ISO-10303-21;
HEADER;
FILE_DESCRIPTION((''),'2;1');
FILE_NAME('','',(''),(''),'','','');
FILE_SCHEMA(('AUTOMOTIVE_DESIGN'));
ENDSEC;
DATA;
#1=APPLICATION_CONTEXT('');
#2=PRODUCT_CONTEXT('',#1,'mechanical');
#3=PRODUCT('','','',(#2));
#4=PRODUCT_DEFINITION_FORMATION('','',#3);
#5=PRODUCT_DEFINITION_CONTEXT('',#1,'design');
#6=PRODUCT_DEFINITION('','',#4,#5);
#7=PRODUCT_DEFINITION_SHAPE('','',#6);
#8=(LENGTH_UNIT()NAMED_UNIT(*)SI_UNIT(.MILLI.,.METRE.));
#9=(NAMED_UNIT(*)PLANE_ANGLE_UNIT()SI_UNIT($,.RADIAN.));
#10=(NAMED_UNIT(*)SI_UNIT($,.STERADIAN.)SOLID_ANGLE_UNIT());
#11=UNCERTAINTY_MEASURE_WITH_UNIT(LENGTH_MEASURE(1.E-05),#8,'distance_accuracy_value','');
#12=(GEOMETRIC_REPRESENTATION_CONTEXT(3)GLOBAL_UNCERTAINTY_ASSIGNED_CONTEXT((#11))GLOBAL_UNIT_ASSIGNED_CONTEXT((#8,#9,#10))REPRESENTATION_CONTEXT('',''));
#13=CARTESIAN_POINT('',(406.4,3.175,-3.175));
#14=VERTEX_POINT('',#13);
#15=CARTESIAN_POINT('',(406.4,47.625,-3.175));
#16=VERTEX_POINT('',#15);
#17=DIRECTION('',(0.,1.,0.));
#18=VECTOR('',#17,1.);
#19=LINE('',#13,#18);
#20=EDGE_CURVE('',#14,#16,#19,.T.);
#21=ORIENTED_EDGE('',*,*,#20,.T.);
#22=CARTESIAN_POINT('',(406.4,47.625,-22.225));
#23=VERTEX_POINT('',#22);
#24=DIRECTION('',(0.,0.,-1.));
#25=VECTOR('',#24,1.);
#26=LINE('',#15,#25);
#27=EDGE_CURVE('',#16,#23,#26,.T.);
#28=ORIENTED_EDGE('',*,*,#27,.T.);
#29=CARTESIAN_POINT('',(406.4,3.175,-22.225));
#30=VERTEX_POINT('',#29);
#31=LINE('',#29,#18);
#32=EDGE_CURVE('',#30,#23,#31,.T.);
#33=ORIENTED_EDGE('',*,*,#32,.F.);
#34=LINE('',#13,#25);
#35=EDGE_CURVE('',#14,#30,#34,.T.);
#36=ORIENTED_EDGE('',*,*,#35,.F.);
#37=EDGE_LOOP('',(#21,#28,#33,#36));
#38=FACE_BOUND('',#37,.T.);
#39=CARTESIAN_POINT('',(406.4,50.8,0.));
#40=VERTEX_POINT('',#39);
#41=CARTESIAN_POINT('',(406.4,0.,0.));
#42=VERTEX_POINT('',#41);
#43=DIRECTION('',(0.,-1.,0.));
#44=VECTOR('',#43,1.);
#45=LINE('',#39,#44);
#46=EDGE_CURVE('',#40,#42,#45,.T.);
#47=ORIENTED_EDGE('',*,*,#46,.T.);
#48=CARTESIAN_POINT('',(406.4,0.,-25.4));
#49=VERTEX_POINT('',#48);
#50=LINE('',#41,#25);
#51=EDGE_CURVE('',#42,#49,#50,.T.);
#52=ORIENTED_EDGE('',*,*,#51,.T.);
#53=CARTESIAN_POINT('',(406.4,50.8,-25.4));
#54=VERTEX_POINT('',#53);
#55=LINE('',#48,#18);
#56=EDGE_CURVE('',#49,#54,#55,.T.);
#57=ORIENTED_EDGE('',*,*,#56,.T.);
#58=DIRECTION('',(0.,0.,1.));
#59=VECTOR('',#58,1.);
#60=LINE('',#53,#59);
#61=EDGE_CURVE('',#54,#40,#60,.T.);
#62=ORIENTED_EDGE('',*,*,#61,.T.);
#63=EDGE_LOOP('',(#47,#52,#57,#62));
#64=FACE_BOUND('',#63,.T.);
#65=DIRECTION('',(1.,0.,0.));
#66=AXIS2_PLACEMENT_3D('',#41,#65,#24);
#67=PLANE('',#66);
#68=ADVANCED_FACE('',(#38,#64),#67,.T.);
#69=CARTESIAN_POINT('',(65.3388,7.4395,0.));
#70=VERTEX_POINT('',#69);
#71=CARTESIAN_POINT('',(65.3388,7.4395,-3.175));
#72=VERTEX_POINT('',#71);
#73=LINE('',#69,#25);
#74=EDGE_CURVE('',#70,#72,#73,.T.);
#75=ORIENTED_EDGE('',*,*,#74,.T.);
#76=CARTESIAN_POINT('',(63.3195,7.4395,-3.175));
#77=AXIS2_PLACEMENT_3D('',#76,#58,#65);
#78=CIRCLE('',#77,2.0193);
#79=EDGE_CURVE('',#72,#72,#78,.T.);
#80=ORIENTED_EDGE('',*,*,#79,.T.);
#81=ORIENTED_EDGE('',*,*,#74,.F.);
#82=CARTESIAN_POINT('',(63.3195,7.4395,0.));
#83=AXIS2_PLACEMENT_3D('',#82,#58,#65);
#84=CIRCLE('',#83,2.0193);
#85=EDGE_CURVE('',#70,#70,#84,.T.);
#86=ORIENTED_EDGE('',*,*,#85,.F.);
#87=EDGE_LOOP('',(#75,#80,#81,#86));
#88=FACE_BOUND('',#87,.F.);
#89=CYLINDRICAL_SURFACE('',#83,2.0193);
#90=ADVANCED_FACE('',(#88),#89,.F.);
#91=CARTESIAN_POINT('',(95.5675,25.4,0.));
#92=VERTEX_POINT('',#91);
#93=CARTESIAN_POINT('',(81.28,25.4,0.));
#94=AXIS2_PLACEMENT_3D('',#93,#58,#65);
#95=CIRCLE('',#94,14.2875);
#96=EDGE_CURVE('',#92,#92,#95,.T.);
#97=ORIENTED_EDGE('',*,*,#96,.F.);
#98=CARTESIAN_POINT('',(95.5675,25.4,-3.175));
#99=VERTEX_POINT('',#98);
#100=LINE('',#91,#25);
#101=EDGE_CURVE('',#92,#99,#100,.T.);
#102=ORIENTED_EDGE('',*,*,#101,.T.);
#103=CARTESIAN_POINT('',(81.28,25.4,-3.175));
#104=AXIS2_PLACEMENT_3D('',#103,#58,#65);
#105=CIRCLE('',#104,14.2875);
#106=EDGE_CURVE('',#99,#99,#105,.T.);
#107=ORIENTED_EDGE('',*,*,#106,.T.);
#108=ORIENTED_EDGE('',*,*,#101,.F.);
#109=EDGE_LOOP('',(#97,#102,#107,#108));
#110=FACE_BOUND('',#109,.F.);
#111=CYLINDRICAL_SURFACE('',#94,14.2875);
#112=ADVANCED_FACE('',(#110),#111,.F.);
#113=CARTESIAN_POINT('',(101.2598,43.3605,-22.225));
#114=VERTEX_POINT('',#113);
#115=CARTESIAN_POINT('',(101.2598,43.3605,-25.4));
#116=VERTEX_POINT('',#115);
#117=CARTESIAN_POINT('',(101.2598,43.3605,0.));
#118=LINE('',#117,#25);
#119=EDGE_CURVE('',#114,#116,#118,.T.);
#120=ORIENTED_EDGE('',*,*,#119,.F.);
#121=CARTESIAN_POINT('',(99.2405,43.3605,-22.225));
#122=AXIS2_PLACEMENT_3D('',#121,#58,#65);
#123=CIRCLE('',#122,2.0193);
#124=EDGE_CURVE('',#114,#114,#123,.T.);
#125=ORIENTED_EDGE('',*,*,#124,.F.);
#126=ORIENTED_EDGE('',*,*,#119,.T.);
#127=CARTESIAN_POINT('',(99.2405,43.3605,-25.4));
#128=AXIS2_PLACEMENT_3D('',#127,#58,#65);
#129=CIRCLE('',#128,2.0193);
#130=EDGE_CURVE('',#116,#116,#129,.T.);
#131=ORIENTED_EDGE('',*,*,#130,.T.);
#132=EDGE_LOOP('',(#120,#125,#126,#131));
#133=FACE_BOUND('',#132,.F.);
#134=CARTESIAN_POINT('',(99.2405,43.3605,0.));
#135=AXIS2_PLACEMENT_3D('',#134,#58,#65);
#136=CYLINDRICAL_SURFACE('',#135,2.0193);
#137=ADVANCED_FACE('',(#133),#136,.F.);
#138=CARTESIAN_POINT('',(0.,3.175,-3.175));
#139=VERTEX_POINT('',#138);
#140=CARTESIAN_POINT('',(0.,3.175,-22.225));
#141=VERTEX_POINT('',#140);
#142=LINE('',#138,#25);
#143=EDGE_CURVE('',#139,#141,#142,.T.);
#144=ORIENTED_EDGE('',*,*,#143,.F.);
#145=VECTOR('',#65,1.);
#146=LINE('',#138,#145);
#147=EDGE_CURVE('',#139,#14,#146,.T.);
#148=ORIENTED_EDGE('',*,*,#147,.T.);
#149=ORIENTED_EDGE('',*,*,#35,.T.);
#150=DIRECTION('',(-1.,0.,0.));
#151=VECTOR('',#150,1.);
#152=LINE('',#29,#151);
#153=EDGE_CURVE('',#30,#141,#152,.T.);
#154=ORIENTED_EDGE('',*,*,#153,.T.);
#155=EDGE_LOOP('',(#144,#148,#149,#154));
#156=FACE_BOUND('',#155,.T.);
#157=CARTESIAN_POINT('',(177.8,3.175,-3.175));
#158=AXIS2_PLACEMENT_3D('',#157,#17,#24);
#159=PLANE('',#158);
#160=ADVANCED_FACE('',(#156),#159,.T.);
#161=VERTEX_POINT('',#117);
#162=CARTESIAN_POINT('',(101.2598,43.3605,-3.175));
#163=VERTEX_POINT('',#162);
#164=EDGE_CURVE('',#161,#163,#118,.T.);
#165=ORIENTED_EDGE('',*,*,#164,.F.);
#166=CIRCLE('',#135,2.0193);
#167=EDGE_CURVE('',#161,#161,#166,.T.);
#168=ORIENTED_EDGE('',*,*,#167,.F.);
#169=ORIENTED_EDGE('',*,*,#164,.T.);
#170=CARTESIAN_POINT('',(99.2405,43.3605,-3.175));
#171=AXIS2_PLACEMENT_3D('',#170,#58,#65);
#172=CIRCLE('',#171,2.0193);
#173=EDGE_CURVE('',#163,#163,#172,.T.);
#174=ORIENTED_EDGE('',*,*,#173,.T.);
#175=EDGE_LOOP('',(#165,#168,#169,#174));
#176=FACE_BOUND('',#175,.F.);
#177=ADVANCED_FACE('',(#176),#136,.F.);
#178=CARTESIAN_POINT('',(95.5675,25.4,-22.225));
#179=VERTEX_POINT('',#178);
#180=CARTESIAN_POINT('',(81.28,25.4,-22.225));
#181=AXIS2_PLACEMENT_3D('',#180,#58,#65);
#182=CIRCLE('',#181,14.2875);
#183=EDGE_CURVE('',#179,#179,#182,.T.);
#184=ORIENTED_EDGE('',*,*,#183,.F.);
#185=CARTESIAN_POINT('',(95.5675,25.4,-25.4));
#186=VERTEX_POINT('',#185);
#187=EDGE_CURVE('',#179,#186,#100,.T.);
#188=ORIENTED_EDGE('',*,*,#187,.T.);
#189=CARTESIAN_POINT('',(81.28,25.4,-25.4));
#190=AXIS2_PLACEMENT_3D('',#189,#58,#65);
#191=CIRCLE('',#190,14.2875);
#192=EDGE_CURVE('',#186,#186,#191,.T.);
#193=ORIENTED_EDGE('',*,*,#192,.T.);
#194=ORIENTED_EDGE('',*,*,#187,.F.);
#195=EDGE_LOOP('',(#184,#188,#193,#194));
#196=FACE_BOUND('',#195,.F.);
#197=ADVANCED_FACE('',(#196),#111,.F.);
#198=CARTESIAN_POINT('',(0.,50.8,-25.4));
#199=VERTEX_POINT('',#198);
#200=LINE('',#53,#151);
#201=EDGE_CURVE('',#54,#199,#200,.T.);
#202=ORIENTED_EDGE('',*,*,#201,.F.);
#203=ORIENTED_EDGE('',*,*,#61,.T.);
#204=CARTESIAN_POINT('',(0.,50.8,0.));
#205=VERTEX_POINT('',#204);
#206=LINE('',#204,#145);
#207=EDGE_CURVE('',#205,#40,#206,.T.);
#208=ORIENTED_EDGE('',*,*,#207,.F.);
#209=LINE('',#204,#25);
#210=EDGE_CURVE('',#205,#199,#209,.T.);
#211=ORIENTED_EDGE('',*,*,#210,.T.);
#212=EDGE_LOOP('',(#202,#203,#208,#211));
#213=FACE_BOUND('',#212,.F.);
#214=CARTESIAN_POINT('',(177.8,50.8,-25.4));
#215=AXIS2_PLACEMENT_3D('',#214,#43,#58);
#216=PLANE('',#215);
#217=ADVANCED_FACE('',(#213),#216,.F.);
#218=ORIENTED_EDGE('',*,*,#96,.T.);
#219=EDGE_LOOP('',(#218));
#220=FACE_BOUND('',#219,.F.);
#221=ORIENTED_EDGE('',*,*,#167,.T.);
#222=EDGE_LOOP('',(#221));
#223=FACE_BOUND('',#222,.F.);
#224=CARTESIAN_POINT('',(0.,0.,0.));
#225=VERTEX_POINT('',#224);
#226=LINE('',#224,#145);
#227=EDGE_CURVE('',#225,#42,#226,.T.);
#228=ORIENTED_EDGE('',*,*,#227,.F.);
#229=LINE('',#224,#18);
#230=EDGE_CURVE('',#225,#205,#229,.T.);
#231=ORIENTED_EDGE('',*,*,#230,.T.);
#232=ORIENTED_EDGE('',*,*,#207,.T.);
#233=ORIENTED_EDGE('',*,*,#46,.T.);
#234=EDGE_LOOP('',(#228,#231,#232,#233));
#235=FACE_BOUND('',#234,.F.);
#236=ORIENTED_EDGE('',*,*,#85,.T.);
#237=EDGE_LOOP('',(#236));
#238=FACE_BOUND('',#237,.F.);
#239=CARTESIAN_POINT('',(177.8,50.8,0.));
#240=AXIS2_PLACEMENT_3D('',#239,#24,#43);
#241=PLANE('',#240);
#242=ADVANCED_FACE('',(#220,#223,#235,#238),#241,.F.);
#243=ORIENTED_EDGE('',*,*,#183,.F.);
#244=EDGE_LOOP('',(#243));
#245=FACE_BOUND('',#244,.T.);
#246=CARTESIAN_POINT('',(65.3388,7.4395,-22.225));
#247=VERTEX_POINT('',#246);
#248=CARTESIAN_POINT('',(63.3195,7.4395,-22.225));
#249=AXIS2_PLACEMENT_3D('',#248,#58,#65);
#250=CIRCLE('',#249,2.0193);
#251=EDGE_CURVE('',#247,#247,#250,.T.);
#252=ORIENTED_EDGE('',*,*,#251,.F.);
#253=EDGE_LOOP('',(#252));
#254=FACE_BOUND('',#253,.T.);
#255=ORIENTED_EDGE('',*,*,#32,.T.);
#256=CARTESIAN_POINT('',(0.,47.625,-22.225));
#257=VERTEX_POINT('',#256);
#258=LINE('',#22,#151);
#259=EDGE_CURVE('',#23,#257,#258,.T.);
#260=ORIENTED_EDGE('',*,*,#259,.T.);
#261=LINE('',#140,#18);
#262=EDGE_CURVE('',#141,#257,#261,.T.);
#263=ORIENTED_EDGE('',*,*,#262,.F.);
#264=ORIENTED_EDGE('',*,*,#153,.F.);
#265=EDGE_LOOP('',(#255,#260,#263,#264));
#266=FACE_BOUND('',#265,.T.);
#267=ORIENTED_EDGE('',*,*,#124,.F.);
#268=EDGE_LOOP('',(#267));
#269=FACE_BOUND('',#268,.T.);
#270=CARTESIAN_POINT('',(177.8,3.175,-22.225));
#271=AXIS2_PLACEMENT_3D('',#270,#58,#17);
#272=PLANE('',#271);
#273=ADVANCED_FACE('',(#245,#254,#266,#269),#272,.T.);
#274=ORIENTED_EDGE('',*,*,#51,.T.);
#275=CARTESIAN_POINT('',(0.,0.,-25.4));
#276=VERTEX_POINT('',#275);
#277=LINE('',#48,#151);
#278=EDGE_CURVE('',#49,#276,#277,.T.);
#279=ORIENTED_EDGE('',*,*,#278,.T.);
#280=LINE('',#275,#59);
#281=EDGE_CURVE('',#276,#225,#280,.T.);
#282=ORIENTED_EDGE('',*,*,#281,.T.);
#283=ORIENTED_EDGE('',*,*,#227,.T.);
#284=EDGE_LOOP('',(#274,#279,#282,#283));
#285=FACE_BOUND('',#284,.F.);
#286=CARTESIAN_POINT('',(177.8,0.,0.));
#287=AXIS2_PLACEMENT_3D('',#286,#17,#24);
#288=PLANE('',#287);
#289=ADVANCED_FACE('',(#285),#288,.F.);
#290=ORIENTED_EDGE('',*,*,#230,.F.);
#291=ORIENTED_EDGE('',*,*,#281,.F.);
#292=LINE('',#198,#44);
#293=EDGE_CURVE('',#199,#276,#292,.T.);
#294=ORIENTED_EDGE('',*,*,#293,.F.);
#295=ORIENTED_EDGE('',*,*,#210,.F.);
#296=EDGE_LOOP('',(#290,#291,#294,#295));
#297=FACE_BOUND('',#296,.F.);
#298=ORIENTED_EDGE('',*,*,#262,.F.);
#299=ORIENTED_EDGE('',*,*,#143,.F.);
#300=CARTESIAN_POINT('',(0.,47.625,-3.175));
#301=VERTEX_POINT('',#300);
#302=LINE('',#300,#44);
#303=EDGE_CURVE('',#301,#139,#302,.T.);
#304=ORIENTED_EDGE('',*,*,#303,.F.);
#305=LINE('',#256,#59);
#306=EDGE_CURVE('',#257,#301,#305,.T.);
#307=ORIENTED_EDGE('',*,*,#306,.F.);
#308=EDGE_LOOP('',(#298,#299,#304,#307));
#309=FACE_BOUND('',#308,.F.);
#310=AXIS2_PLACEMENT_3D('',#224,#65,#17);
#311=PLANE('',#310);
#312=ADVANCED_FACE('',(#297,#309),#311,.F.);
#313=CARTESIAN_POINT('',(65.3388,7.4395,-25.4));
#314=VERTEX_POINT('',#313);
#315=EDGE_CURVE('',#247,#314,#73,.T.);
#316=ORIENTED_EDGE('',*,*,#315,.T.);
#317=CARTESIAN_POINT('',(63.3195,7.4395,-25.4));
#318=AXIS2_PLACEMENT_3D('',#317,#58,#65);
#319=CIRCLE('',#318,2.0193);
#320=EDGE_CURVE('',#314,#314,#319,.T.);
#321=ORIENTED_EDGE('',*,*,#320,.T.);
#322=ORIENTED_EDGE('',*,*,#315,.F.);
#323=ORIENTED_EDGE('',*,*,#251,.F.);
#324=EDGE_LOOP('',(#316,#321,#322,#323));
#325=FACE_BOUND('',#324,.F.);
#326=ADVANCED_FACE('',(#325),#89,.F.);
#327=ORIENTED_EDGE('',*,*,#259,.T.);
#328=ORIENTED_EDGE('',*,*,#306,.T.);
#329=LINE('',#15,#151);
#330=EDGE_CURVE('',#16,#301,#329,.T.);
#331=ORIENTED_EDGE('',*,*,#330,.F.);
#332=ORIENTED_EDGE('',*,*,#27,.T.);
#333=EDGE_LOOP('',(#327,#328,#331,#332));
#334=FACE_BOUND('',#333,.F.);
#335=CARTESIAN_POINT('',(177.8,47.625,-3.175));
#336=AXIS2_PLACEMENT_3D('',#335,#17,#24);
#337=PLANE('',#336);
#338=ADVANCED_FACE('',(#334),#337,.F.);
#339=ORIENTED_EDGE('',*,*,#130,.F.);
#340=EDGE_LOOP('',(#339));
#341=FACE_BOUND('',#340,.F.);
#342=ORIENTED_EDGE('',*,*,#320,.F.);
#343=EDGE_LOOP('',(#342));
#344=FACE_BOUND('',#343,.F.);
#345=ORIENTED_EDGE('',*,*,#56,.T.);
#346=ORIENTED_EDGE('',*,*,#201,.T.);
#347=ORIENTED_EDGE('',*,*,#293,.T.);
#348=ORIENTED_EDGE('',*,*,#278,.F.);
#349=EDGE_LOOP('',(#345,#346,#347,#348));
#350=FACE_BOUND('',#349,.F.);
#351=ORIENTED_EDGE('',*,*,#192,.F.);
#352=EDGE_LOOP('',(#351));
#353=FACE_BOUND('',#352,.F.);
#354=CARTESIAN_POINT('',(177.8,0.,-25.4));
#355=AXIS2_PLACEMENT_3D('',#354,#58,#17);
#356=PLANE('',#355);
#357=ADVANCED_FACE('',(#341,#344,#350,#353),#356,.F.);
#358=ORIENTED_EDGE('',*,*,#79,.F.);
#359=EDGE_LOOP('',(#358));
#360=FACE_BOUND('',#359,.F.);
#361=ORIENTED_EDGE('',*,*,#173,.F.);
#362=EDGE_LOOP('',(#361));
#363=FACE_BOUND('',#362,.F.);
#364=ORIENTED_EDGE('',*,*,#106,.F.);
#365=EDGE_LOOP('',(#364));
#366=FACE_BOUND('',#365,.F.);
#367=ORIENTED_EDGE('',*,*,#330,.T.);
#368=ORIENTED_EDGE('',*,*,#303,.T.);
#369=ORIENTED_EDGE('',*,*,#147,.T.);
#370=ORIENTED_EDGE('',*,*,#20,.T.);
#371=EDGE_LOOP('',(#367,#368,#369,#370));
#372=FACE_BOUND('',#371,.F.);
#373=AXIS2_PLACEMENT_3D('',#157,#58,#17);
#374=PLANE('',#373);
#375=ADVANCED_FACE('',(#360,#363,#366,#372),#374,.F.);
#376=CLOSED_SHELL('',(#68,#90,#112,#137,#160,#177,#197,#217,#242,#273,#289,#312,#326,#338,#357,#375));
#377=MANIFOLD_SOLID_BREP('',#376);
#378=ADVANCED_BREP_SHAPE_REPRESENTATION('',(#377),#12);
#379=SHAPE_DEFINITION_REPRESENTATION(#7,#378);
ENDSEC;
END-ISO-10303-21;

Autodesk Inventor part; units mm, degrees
ref_plane "YZ Plane" through (0, 0, 0) normal (1, 0, 0) x (0, 1, 0)
ref_plane "XZ Plane" through (0, 0, 0) normal (0, 1, 0) x (-1, 0, 0)
ref_plane "XY Plane" through (0, 0, 0) normal (0, 0, 1) x (1, 0, 0)
sketch "Sketch1" plane through (0, 0, 0) normal (1, 0, 0) x (0, 1, 0)
  line L0 (0, 0) -> (50.8, 0)
  line L1 (50.8, 0) -> (50.8, -25.4)
  line L2 (50.8, -25.4) -> (0, -25.4)
  line L3 (0, -25.4) -> (0, 0)
  line L4 (47.625, -22.225) -> (47.625, -3.175)
  line L5 (47.625, -3.175) -> (3.175, -3.175)
  line L6 (3.175, -3.175) -> (3.175, -22.225)
  line L7 (3.175, -22.225) -> (47.625, -22.225)
  dimension "d0" = 50.8
  dimension "d1" = 25.4
  dimension "d2" = 3.175
extrude "Extrusion1" add sketch "Sketch1" along normal blind 177.8
sketch "Sketch2" plane through (0, 0, 0) normal (0, 0, 1) x (1, 0, 0)
  line L0 (0, 0) -> (0, 50.8) projected
  circle A0 centre (81.28, 25.4) radius 14.2875
  line L1 (151.13, 25.4) -> (175.8823, 25.4) construction
  line L2 (81.28, 25.4) -> (106.68, 25.4) construction
  circle A1 centre (99.2405, 43.3605) radius 2.0193
  circle A2 centre (63.3195, 7.4395) radius 2.0193
  circle A3 centre (63.3195, 7.4395) radius 2.0193
  circle A4 centre (99.2405, 43.3605) radius 2.0193
  dimension "d5" = 81.28
  dimension "d6" = 28.575
  dimension "d19" = 4.0386
  dimension "d20" = 4.0386
extrude "Extrusion2" cut sketch "Sketch2" against normal blind 25.4 contours A0
sketch "Sketch3" plane through (177.8, 0, 0) normal (1, 0, 0) x (0, 0, -1)
  line L0 (0, 50.8) -> (0, 0) projected
  line L1 (25.4, 0) -> (25.4, 50.8) projected
  line L2 (0, 0) -> (25.4, 0)
  line L3 (25.4, 0) -> (25.4, 50.8)
  line L4 (25.4, 50.8) -> (0, 50.8)
  line L5 (0, 50.8) -> (0, 0)
  line L6 (3.175, 3.175) -> (3.175, 47.625) projected
  line L7 (3.175, 47.625) -> (22.225, 47.625) projected
  line L8 (3.175, 3.175) -> (22.225, 3.175)
  line L9 (22.225, 3.175) -> (22.225, 47.625)
  line L10 (22.225, 47.625) -> (3.175, 47.625)
  line L11 (3.175, 47.625) -> (3.175, 3.175)
extrude "Extrusion3" add sketch "Sketch3" along normal blind 228.6
sketch "Sketch4" plane through (0, 0, 0) normal (0, 0, 1) x (1, 0, 0)
  circle A0 centre (81.28, 25.4) radius 14.2875 projected
  line L0 (0, 50.8) -> (406.4, 50.8) projected
  line L1 (81.28, 25.4) -> (106.68, 25.4) construction
  circle A1 centre (99.2405, 43.3605) radius 2.0193
  circle A2 centre (63.3195, 7.4395) radius 2.0193
  point P0 (0, 0)
  dimension "d22" = 4.0386
  dimension "d23" = 4.0386
extrude "Extrusion4" cut sketch "Sketch4" against normal blind 228.6 contours A1 | A2
properties part number "liftCimBar" material "Aluminum 6061"
